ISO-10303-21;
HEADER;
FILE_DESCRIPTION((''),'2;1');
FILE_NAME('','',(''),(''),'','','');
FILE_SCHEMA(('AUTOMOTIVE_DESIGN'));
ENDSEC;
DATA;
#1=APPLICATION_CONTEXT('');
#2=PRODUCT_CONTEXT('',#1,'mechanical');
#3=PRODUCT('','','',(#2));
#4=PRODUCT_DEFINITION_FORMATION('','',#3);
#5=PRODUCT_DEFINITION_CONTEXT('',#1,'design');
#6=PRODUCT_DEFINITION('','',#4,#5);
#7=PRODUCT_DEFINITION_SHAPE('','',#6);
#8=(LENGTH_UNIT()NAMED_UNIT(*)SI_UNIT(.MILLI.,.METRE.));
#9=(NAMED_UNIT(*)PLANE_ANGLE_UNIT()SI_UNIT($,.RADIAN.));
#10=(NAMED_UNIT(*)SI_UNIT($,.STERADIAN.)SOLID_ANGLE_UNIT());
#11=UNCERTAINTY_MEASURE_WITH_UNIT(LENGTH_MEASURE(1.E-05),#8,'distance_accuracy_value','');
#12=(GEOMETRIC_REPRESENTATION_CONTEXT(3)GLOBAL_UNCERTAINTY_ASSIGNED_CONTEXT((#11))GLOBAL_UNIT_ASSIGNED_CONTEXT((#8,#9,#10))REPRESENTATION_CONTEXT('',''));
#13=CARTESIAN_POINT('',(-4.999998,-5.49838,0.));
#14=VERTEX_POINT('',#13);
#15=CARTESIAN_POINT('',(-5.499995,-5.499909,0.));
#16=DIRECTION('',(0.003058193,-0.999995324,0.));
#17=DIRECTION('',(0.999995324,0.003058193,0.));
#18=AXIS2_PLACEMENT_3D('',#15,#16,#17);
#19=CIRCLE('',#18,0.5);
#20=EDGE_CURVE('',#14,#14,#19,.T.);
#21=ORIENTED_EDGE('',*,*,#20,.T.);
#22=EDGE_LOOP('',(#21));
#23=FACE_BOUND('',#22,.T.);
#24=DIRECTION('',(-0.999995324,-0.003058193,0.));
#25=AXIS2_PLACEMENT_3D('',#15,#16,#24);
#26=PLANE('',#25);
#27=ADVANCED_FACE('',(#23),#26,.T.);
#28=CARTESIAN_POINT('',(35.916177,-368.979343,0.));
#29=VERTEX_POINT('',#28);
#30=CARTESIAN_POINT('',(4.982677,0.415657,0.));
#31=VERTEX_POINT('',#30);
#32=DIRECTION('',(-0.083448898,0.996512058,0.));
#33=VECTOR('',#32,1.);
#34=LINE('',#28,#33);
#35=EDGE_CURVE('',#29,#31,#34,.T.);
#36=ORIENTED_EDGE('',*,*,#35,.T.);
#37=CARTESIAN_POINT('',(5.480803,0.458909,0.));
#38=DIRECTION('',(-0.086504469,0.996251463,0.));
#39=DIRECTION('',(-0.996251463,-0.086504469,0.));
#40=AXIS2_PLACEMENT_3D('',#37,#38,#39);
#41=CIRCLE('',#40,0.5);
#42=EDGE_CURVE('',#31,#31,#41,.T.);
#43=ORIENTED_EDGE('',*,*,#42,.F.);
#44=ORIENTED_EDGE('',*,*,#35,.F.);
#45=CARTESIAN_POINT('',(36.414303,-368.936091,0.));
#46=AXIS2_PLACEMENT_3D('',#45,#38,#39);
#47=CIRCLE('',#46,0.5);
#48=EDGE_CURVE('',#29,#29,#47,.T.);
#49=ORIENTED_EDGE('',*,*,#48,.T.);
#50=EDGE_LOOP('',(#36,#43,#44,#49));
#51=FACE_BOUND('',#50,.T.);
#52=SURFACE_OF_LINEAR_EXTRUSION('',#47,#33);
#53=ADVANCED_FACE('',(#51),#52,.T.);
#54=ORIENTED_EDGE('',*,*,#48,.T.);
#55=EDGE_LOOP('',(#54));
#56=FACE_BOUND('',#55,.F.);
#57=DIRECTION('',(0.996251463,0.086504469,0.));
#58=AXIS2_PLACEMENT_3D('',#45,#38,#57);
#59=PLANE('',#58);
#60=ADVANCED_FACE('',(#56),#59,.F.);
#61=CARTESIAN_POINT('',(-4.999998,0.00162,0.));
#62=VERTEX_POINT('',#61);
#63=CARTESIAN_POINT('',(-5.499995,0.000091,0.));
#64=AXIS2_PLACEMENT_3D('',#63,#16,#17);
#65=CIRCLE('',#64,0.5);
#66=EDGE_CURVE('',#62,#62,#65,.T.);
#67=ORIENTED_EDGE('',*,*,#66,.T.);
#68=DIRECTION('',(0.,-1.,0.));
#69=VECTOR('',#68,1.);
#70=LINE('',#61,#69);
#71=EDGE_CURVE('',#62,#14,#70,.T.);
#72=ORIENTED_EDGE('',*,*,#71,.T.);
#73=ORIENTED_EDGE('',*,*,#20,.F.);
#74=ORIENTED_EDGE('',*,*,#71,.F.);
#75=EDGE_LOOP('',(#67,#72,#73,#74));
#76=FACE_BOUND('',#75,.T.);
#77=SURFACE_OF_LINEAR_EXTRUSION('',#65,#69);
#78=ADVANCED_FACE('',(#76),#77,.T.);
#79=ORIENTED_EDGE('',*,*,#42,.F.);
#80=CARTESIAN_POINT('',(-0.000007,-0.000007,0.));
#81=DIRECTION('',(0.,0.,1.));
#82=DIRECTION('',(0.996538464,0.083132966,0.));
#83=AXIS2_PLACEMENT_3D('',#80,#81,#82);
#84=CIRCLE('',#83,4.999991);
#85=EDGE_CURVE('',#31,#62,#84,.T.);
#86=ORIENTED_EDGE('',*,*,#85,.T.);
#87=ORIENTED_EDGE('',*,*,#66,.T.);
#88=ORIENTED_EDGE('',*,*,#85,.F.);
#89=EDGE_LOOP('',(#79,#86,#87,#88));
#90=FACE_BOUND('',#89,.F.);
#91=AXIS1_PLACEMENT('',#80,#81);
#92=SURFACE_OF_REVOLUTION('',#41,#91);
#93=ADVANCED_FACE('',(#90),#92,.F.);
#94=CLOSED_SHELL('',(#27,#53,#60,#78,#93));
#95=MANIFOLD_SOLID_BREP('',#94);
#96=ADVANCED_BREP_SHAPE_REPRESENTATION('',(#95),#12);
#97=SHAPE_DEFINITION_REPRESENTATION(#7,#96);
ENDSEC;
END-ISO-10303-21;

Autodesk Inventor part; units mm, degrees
ref_plane "YZ Plane" through (0, 0, 0) normal (1, 0, 0) x (0, 1, 0)
ref_plane "XZ Plane" through (0, 0, 0) normal (0, 1, 0) x (-1, 0, 0)
ref_plane "XY Plane" through (0, 0, 0) normal (0, 0, 1) x (1, 0, 0)
ref_plane "Work Plane1" through (0, 0, 0) normal (0, 0, 1) x (1, 0, 0)
sketch "Sketch1" plane through (0, 0, 0) normal (0, 0, 1) x (1, 0, 0)
  circle A0 centre (0, 0) radius 5 projected
  line L0 (34.4218, -369.1091) -> (38.4068, -368.7629) projected
  arc A1 (5.4808, 0.459) -> (-5.5, 0) centre (0, 0) ccw
  line L1 (36.4143, -368.936) -> (5.4808, 0.459)
  line L2 (-5.5, 0) -> (-5.5, -5.5)
  point P0 (0, 0)
  dimension "d0" = 11
ref_plane "Work Plane2" through (34.4218, -369.1091, -8) normal (-0.0865, 0.9962, 0) x (-0.9962, -0.0865, 0)
sketch "Sketch2" plane through (34.4218, -369.1091, -8) normal (-0.0865, 0.9962, 0) x (-0.9962, -0.0865, 0)
  circle A0 centre (-2, 8) radius 0.5
  point P0 (2.3507, 8)
  dimension "d1" = 1
sweep "Sweep1" add profiles "Sketch2" path "Sketch1" path curves L1 A1 L2
properties part number "Ropes"
